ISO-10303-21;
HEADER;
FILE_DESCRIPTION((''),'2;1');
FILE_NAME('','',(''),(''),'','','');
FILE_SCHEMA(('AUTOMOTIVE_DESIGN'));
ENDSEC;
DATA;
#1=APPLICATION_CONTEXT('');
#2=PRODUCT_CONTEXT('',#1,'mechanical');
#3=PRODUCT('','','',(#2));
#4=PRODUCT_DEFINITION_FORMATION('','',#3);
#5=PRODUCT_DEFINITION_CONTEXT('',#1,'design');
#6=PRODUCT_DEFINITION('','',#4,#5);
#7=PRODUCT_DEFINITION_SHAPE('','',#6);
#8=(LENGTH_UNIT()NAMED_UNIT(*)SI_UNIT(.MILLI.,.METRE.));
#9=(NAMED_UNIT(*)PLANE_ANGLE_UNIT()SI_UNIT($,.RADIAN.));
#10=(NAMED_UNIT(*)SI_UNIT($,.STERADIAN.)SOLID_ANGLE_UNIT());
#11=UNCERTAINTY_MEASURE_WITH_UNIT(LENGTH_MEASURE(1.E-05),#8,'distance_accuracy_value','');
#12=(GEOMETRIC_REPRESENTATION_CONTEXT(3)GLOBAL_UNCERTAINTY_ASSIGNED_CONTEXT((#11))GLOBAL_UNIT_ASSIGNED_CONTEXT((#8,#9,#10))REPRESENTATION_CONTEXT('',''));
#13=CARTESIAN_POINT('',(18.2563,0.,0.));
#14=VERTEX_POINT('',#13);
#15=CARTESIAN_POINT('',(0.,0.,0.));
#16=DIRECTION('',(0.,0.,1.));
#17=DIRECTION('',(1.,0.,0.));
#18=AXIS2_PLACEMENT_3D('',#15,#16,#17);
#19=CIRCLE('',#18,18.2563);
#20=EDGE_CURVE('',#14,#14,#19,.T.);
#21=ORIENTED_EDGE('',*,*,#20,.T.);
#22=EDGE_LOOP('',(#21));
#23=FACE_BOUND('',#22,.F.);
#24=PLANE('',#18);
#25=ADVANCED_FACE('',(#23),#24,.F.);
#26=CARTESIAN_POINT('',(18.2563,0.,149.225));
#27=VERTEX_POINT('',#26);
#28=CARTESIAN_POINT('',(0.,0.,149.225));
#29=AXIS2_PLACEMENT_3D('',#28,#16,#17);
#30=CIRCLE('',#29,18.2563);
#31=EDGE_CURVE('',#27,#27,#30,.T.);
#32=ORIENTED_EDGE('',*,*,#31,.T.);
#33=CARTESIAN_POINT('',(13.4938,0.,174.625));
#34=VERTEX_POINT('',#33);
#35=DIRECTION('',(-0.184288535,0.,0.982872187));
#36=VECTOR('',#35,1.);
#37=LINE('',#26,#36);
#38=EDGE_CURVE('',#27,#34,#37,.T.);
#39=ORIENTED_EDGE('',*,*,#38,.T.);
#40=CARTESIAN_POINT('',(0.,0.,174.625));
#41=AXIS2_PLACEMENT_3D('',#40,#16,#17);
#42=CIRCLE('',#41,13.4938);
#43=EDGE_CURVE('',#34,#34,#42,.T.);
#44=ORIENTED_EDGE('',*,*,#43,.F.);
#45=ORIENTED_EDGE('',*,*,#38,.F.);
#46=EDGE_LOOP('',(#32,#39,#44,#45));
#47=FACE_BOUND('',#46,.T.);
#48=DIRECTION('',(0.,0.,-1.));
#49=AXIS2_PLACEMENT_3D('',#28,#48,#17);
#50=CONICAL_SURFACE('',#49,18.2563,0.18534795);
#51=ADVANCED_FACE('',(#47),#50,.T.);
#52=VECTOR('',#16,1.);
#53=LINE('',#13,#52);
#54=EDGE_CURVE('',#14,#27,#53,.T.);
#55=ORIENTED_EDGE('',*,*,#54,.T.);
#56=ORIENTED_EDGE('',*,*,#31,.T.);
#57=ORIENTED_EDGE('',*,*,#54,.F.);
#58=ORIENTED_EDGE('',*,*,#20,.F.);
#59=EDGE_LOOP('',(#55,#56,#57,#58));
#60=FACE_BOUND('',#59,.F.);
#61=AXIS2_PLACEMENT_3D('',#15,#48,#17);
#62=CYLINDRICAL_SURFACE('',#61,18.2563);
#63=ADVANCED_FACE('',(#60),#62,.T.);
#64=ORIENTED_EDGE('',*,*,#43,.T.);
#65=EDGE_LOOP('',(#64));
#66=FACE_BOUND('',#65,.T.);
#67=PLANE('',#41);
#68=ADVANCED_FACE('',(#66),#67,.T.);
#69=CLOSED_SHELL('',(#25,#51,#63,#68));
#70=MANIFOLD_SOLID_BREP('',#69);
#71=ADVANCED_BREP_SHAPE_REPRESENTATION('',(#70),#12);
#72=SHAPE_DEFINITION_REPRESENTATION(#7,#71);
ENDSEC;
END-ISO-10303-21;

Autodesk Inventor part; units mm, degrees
ref_plane "YZ Plane" through (0, 0, 0) normal (1, 0, 0) x (0, 1, 0)
ref_plane "XZ Plane" through (0, 0, 0) normal (0, 1, 0) x (-1, 0, 0)
ref_plane "XY Plane" through (0, 0, 0) normal (0, 0, 1) x (1, 0, 0)
sketch "Sketch1" plane through (0, 0, 0) normal (0, 0, 1) x (1, 0, 0)
  circle A0 centre (0, 0) radius 18.2563
  dimension "d0" = 36.5125
extrude "Extrusion1" add sketch "Sketch1" along normal blind 174.625
chamfer "Chamfer1" distance 25.4 distance2 4.7625 1 edges at (-18.2563, 0, 174.625) measured on face at (18.0198, -2.9285, 116.4167)
properties part number "GE-12027-04"
